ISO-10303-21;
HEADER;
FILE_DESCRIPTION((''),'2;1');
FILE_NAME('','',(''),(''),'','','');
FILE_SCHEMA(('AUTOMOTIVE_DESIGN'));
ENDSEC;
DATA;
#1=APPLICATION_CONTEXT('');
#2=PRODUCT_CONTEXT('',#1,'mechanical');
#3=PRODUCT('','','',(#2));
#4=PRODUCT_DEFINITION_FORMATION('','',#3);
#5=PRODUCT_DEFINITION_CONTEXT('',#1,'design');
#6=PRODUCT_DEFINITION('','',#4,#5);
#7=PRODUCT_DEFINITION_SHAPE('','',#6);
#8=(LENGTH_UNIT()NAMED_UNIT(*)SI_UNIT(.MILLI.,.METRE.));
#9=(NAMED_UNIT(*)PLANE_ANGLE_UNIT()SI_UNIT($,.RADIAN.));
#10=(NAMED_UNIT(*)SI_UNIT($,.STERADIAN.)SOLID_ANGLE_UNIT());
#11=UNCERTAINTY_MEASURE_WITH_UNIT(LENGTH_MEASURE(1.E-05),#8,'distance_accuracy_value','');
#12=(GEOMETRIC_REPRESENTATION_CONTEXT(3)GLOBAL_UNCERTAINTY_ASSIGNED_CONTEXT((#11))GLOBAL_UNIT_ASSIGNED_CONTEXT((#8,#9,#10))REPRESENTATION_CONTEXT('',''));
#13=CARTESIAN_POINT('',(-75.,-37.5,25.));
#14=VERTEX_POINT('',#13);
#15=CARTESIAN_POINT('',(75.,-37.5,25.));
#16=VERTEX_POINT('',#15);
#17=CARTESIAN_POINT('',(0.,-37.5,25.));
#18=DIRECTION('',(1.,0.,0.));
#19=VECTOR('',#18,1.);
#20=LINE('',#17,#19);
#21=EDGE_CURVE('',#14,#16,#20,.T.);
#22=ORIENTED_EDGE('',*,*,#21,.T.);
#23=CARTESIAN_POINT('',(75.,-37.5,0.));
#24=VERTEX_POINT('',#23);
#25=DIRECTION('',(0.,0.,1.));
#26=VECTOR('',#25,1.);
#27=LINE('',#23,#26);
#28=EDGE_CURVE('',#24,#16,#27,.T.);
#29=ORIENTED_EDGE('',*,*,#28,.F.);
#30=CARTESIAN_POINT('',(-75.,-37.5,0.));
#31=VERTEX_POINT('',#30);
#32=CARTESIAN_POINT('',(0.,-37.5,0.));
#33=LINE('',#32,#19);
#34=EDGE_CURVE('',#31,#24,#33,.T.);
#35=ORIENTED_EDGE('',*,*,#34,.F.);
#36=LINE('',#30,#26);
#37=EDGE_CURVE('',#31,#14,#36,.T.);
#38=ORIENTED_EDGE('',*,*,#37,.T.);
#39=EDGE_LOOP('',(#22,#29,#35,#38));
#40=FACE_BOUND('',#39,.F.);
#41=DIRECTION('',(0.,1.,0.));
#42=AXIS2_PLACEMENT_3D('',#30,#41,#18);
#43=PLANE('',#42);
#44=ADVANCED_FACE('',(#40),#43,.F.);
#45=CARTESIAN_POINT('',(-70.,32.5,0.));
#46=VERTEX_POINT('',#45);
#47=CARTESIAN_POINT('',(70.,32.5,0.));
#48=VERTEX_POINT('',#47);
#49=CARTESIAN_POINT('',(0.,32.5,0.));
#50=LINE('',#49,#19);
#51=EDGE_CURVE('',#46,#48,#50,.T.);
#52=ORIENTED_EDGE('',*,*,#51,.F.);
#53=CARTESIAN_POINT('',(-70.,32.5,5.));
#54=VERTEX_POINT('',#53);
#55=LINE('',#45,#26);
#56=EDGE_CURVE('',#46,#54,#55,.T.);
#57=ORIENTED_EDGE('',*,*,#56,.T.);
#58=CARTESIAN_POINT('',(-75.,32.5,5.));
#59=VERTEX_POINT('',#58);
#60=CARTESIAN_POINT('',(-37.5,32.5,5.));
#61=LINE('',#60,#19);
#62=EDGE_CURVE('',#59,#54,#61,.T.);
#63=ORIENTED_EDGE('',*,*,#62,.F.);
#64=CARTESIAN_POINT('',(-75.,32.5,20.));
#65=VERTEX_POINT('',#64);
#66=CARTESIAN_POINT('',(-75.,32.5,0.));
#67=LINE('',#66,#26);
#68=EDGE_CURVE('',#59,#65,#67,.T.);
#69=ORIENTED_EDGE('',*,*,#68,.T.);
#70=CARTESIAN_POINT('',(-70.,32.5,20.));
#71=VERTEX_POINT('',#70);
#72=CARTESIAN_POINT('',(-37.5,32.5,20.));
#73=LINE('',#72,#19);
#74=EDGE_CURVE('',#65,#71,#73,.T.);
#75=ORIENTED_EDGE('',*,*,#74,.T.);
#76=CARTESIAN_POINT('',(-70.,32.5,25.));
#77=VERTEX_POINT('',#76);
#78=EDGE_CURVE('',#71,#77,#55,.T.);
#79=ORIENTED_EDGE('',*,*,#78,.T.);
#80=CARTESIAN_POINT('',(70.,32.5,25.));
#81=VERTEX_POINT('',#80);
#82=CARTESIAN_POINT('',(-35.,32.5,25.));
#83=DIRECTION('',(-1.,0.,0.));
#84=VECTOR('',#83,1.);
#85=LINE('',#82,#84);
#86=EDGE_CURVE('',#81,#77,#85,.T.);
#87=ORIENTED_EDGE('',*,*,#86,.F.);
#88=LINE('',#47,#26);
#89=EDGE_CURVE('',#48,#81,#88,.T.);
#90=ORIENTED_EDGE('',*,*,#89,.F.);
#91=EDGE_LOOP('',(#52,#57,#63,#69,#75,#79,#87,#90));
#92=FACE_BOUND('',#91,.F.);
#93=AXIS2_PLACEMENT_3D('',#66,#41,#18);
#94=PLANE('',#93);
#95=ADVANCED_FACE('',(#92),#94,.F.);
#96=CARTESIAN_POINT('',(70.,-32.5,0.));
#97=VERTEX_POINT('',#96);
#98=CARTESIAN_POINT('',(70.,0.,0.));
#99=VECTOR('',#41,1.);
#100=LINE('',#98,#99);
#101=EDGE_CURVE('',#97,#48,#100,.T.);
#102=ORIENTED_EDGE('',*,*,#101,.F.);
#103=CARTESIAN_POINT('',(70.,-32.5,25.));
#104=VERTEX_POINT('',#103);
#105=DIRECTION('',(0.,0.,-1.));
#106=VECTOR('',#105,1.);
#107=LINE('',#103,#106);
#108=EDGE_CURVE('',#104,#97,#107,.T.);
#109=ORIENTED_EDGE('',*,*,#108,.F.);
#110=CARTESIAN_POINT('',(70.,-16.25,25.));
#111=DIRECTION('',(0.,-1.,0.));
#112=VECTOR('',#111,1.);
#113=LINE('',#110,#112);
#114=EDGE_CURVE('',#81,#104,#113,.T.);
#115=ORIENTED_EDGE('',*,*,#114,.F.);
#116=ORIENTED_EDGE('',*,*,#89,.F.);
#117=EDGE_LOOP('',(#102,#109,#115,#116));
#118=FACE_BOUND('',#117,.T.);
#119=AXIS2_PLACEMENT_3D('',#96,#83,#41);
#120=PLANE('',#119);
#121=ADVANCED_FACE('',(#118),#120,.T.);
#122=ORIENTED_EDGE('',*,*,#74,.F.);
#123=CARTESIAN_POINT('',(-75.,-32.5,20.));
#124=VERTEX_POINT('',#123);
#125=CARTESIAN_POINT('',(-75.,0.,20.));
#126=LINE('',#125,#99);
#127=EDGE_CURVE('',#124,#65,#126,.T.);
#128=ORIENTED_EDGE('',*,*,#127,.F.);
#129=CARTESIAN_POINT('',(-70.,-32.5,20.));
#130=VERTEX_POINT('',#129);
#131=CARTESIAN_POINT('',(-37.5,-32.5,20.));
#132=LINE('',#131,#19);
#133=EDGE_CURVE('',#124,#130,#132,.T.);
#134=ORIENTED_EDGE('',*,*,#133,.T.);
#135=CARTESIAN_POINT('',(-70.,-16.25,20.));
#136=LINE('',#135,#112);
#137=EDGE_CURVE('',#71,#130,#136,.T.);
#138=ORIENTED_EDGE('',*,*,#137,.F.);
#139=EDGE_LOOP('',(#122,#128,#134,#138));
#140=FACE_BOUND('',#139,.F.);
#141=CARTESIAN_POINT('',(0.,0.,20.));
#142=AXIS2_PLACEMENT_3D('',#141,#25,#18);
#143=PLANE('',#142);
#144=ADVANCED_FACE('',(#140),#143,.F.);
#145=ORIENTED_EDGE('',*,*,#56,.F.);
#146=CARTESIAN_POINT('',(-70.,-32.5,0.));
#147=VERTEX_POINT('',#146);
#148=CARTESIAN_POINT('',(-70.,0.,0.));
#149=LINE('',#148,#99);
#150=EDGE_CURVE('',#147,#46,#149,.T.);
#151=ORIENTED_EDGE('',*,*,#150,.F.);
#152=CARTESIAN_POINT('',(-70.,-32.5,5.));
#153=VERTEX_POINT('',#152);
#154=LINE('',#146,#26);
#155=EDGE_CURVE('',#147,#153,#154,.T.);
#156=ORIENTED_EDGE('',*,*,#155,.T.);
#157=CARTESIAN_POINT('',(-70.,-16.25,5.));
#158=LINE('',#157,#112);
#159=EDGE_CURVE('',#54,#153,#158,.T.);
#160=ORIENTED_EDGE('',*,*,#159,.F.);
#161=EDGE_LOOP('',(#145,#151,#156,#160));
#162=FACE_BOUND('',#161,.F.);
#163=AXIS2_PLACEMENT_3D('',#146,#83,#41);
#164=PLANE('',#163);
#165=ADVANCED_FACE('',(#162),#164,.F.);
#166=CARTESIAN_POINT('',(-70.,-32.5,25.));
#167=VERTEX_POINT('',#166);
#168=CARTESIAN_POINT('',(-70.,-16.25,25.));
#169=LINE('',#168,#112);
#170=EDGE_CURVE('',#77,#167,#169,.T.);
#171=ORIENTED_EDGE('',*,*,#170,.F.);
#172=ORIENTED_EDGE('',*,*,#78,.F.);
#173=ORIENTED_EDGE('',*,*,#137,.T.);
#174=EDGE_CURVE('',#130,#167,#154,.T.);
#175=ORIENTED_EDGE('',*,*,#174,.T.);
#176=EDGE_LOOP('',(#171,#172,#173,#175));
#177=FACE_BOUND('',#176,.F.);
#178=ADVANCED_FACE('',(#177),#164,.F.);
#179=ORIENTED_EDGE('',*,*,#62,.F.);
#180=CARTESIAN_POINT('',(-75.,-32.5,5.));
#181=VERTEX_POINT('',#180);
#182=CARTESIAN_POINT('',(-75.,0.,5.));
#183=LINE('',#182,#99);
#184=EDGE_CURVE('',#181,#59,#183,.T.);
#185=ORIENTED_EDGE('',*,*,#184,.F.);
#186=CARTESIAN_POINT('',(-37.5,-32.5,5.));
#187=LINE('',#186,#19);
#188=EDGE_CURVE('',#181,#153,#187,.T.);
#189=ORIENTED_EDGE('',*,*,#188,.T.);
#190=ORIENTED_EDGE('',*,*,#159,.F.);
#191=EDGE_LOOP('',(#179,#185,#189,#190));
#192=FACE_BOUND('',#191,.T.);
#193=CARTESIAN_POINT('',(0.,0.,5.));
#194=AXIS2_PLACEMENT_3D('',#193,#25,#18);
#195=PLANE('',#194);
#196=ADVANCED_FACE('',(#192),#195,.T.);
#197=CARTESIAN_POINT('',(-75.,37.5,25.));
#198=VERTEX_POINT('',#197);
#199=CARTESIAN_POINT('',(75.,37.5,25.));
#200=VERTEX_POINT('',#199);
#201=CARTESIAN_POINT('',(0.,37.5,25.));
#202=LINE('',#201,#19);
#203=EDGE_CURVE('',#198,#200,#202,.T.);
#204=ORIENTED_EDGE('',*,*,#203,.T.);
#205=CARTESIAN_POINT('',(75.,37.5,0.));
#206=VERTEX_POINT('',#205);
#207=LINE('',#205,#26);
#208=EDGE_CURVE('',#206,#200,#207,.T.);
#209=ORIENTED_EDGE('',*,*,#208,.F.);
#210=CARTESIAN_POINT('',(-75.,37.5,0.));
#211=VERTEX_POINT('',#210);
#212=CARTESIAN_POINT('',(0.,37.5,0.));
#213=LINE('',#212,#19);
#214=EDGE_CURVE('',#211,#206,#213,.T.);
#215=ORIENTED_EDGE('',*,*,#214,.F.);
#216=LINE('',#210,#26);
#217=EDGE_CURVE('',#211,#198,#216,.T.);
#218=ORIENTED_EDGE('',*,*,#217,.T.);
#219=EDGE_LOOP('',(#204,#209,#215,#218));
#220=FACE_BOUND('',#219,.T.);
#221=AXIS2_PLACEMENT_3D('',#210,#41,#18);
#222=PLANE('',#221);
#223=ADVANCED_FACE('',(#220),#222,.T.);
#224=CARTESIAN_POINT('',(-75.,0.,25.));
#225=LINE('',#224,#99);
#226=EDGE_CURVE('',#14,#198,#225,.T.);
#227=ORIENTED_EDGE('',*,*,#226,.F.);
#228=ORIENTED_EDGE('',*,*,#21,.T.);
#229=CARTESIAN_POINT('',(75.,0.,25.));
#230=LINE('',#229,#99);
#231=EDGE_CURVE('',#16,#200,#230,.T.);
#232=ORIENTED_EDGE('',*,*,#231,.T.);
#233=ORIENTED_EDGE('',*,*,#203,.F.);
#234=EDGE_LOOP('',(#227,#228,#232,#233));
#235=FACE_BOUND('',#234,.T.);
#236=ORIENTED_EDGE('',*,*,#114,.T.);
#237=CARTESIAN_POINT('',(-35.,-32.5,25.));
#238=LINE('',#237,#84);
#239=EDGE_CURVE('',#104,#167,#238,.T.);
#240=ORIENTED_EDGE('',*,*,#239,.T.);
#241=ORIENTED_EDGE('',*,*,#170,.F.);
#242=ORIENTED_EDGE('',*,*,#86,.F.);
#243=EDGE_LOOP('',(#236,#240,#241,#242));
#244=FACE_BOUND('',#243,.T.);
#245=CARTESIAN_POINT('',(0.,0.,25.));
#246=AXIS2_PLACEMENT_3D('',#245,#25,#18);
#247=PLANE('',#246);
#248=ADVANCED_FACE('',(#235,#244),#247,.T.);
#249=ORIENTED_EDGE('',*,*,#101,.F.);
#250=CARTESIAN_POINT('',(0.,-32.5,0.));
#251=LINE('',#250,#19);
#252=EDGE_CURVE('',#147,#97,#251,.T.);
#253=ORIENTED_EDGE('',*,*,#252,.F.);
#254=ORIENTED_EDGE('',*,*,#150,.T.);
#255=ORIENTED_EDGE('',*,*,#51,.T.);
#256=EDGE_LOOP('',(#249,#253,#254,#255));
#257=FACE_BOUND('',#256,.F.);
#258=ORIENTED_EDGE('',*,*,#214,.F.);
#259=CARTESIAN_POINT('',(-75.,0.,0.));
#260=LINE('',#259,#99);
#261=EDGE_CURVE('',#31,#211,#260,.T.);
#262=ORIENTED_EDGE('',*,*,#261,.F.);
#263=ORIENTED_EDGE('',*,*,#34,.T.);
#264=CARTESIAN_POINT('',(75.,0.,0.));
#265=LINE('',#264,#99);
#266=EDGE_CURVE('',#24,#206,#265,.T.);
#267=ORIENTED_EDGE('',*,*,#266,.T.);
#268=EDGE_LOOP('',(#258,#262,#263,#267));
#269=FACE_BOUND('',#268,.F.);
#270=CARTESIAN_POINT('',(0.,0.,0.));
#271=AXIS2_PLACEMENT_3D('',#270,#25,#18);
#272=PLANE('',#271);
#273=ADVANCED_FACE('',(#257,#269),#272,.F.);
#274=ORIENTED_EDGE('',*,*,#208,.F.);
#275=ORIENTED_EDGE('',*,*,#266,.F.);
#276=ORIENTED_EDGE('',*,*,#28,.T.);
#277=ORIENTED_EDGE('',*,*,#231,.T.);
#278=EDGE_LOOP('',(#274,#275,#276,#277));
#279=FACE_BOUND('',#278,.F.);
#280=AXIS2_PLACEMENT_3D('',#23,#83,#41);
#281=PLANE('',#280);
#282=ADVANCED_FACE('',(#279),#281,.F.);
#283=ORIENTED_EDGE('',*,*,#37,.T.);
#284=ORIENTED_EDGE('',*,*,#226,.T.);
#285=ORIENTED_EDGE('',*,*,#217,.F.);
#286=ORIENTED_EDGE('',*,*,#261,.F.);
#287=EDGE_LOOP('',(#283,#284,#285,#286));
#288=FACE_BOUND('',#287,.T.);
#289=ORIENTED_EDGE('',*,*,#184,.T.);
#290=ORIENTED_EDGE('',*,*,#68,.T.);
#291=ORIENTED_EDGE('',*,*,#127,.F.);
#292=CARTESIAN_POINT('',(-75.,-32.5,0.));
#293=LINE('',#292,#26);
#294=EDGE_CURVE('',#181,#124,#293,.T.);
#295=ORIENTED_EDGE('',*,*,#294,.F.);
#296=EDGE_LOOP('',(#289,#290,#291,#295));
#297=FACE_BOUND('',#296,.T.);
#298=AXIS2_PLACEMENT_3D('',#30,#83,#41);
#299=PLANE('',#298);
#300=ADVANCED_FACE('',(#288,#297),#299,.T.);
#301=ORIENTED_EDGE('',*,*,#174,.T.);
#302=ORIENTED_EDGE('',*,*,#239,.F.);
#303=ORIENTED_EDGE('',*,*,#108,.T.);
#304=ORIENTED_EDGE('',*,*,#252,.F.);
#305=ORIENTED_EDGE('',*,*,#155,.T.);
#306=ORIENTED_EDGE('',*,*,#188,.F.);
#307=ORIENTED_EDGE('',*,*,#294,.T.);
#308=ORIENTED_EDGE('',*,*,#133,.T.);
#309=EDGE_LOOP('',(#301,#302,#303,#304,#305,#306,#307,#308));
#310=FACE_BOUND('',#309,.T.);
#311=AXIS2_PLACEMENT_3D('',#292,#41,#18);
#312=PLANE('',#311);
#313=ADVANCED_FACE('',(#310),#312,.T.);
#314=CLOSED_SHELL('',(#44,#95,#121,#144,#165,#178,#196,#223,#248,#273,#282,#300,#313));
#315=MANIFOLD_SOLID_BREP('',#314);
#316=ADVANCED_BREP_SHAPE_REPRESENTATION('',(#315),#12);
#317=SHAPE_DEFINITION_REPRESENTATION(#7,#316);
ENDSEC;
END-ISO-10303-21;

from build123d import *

# Parameters (mm, degrees)
F0_W     = 150
F0_H     = 75
F1_DEPTH = 25
F2_T     = -5
F3_W     = 140
F3_H     = 65
F4_DEPTH = 25.001


with BuildPart() as f1:
    # F0 (on Top) → F1 (new body)
    with BuildSketch(Plane.XY):
        Rectangle(F0_W, F0_H)
    extrude(amount=F1_DEPTH)

    # F2
    f2_openings = [f1.faces().sort_by_distance(p)[0] for p in [
        (-75, 0, 12.5),
    ]]
    offset(amount=F2_T, openings=f2_openings)

    # F3 (on Top) → F4 (cut, through all)
    with BuildSketch(Plane.XY):
        Rectangle(F3_W, F3_H)
    extrude(amount=F4_DEPTH, mode=Mode.SUBTRACT)


solid = f1.part
